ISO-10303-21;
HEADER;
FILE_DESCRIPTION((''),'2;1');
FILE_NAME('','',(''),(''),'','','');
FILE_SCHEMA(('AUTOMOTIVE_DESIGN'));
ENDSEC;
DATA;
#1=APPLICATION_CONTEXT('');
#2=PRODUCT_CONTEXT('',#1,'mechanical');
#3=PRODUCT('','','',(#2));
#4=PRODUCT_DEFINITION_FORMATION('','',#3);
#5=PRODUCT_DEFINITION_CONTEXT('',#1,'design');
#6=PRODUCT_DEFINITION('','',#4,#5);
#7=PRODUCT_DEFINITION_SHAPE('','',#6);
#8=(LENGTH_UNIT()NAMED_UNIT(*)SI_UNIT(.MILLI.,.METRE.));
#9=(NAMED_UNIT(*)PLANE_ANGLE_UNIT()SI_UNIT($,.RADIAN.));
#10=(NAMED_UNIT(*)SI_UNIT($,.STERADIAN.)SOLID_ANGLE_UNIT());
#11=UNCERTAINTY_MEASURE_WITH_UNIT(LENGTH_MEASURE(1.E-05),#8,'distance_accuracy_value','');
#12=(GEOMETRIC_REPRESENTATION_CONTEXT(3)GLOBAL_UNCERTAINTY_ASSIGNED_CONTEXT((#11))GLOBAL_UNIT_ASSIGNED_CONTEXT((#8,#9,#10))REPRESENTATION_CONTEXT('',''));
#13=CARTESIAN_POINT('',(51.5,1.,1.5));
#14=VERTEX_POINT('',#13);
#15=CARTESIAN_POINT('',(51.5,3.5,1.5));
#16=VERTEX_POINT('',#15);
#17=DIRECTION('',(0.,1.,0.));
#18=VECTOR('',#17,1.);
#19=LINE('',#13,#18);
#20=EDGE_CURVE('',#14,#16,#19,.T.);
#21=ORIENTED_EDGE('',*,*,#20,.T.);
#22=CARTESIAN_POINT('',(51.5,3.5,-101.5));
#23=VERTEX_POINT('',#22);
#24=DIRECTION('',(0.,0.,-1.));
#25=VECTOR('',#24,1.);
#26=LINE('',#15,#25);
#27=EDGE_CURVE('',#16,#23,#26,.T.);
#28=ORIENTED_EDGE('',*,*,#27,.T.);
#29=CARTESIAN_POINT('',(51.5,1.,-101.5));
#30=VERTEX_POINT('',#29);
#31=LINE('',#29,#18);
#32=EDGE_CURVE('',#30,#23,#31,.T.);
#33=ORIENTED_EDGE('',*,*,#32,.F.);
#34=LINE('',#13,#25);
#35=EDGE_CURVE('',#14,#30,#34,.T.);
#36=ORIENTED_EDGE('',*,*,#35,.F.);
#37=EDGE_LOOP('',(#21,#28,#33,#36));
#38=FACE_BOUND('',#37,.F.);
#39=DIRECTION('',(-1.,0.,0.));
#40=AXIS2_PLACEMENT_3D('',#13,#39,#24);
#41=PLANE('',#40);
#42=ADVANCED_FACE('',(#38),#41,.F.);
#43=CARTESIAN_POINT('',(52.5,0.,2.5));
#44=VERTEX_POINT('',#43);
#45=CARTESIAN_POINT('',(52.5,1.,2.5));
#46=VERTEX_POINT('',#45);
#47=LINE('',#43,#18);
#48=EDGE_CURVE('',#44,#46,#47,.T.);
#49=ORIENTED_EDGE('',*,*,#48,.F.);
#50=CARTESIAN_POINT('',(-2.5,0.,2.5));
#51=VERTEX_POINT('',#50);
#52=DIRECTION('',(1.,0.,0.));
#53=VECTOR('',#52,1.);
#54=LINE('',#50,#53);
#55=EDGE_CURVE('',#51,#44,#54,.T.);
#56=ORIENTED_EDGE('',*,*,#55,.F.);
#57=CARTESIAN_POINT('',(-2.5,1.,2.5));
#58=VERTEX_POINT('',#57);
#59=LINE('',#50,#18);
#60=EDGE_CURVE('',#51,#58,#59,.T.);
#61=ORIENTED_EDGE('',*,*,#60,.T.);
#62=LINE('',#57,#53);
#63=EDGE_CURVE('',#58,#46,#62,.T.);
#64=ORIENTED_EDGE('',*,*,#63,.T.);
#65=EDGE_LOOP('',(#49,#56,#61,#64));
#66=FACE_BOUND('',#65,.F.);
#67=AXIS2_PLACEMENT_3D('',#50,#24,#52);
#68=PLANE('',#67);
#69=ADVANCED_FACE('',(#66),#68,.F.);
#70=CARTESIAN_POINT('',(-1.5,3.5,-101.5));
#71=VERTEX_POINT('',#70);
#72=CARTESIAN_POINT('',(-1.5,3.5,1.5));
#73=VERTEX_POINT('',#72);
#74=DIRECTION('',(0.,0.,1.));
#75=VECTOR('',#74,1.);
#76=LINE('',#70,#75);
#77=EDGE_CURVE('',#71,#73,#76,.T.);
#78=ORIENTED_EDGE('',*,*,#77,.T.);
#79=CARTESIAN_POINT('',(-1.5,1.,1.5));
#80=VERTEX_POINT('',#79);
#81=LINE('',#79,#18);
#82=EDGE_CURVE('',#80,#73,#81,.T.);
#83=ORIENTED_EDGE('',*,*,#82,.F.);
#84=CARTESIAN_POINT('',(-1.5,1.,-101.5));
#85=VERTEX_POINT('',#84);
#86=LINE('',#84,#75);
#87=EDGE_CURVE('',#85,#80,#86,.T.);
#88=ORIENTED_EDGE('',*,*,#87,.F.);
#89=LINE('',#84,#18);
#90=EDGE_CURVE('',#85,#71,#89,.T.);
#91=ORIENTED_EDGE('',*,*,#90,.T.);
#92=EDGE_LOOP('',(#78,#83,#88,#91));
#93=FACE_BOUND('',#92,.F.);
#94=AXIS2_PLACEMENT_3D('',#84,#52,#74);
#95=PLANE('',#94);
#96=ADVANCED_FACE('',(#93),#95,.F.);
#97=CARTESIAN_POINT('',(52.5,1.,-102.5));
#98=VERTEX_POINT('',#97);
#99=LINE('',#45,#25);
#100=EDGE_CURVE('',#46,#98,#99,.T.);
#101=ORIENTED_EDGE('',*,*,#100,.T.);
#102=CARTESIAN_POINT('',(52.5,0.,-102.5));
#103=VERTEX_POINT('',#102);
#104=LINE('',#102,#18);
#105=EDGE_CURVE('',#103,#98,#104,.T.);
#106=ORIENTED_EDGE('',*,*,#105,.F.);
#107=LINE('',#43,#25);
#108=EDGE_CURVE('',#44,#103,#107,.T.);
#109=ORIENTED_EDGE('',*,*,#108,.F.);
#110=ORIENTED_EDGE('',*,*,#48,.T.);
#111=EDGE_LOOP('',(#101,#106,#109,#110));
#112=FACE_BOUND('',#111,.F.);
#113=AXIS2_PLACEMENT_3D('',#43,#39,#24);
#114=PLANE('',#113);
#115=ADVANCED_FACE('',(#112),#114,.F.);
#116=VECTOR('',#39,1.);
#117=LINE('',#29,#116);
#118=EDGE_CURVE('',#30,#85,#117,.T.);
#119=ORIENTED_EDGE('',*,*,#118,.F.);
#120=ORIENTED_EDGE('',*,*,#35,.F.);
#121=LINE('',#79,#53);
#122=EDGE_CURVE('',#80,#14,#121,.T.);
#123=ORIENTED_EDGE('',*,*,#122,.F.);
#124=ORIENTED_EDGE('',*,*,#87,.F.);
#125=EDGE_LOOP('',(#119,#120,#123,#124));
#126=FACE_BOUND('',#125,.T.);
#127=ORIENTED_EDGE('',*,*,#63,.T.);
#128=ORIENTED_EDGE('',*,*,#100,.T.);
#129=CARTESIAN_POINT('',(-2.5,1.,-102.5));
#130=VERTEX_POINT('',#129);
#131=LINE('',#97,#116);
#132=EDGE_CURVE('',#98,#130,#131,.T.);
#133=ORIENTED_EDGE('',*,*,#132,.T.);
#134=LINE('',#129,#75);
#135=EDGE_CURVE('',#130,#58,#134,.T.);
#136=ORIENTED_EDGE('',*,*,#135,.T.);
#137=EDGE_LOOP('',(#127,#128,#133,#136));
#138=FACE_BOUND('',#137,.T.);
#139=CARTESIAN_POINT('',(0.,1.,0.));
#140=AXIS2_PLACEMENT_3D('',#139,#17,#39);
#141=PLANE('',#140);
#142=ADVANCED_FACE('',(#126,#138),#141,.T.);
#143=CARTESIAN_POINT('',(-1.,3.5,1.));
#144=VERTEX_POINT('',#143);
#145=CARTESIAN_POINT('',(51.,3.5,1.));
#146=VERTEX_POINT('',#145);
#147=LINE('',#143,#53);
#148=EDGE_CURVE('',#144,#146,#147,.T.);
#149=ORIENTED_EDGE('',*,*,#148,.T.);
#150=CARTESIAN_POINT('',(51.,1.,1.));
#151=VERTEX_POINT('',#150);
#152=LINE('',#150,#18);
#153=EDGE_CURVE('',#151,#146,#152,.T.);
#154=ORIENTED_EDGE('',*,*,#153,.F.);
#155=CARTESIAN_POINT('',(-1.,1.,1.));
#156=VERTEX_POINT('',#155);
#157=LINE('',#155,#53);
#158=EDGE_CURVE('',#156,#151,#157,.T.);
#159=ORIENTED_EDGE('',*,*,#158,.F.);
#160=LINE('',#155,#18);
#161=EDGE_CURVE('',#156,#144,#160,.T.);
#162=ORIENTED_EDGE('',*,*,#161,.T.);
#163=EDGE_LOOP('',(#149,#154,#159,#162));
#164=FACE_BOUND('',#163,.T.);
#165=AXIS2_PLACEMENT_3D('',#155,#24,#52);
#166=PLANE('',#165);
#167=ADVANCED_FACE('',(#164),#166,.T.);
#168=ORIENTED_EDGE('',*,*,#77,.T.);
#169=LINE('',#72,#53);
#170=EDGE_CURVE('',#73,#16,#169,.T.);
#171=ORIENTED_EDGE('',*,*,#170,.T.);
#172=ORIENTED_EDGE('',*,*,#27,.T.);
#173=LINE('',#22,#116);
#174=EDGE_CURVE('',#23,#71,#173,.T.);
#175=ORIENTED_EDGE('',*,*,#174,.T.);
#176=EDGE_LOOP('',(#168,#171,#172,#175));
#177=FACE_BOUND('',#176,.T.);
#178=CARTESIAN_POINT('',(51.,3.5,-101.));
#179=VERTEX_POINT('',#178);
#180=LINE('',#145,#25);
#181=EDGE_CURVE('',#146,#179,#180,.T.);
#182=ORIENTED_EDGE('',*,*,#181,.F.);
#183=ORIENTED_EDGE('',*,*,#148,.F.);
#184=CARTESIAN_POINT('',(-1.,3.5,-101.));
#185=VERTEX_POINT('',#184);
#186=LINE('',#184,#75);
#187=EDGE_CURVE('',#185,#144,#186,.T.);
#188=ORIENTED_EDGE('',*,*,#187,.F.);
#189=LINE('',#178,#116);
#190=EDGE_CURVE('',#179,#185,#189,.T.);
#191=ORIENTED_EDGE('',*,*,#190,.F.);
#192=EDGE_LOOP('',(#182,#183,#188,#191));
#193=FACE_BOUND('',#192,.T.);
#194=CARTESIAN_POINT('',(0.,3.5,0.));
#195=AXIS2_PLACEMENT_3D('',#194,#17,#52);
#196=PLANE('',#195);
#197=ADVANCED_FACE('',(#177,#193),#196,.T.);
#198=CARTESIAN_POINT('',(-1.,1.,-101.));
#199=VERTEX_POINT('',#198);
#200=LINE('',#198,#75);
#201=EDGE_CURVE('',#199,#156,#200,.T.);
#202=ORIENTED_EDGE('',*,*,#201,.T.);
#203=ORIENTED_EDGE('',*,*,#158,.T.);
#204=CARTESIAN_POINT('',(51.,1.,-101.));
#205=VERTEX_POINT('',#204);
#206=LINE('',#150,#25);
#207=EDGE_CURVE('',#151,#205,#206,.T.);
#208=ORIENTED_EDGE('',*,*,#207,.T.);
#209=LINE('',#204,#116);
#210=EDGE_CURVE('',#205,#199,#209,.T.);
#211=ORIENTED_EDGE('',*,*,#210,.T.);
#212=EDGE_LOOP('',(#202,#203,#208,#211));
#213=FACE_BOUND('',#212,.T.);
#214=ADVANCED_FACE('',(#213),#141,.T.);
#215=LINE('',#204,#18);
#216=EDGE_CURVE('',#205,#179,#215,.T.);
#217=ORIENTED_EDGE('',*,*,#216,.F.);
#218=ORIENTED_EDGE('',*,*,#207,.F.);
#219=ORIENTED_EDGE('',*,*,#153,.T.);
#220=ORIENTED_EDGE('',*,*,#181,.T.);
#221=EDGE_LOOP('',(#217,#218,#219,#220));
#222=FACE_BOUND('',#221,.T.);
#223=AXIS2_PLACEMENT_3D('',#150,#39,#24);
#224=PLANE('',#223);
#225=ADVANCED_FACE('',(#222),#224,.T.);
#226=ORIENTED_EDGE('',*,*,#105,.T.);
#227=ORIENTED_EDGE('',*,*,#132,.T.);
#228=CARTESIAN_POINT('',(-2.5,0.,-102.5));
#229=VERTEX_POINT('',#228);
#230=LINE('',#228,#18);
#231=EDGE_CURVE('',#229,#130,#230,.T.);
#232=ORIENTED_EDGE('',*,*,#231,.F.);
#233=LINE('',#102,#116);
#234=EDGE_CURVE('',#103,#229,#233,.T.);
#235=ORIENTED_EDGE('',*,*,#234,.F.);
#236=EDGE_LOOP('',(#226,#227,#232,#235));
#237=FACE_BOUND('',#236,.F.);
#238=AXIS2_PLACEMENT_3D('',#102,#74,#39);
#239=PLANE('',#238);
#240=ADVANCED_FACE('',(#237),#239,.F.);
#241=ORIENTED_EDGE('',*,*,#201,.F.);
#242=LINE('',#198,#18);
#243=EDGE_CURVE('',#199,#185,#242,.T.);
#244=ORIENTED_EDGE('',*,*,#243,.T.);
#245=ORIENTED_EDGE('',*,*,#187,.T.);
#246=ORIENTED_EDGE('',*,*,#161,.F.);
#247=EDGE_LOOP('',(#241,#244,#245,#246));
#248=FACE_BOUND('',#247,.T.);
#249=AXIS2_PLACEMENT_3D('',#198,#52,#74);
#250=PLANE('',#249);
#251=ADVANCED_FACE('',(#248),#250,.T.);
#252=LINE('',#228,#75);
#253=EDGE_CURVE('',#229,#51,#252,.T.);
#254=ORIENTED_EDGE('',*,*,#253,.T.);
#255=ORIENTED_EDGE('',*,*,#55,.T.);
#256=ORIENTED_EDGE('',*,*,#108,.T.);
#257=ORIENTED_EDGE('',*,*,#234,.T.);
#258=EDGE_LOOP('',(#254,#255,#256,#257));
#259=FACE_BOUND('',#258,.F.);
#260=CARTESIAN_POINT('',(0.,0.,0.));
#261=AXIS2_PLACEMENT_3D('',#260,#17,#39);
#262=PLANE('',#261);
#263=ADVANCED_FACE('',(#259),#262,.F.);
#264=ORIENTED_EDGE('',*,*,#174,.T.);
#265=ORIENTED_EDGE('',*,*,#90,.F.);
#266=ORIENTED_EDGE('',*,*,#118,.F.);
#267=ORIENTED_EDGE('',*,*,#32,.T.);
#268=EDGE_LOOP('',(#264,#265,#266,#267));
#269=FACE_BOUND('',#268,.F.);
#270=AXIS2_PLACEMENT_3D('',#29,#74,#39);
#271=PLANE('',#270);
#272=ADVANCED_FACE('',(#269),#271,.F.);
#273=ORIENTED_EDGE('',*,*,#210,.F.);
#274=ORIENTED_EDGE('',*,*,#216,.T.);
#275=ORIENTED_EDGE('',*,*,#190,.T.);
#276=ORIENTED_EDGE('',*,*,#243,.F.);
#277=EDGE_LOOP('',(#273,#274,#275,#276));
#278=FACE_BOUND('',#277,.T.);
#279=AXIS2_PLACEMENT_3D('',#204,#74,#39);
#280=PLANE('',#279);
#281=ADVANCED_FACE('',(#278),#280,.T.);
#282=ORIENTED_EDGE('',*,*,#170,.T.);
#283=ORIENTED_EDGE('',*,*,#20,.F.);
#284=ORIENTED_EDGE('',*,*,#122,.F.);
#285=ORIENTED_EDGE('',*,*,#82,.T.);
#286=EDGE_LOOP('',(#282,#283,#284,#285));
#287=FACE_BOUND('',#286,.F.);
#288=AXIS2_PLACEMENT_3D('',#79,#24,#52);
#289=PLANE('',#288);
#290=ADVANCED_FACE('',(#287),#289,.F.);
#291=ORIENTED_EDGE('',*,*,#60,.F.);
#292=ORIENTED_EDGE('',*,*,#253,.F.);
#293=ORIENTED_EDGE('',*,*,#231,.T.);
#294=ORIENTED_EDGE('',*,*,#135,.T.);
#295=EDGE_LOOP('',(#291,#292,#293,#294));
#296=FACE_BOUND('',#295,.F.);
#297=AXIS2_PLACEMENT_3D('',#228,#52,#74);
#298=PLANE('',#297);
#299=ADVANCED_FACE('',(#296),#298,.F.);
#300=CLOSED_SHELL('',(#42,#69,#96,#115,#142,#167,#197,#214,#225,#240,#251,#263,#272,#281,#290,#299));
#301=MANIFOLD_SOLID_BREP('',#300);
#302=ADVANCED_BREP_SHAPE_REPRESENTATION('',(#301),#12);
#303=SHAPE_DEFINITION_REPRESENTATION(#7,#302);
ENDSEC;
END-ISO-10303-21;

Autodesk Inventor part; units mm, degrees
ref_plane "우측면도" through (0, 0, 0) normal (1, 0, 0) x (0, 1, 0)
ref_plane "평면도" through (0, 0, 0) normal (0, 1, 0) x (-1, 0, 0)
ref_plane "정면도" through (0, 0, 0) normal (0, 0, 1) x (1, 0, 0)
sketch "스케치1" plane through (0, 0, 0) normal (0, 1, 0) x (-1, 0, 0)
  line L0 (0, 0) -> (0, -100)
  line L1 (0, -100) -> (-50, -100)
  line L2 (-50, -100) -> (-50, 0)
  line L3 (-50, 0) -> (0, 0)
  line L4 (2.5, -102.5) -> (2.5, 2.5)
  line L5 (2.5, 2.5) -> (-52.5, 2.5)
  line L6 (-52.5, 2.5) -> (-52.5, -102.5)
  line L7 (-52.5, -102.5) -> (2.5, -102.5)
  line L8 (1, -101) -> (1, 1)
  line L9 (1, 1) -> (-51, 1)
  line L10 (-51, 1) -> (-51, -101)
  line L11 (-51, -101) -> (1, -101)
  line L12 (1.5, -101.5) -> (1.5, 1.5)
  line L13 (1.5, 1.5) -> (-51.5, 1.5)
  line L14 (-51.5, 1.5) -> (-51.5, -101.5)
  line L15 (-51.5, -101.5) -> (1.5, -101.5)
  dimension "d0" = 50
  dimension "d1" = 100
  dimension "d2" = 2.5
  dimension "d3" = 1.5
  dimension "d4" = 0.5
extrude "돌출1" add sketch "스케치1" along normal blind 1 contours L0 L1 L2 L3 | L7 L6 L5 L4 | L11 L10 L9 L8 | L15 L14 L13 L12
sketch "스케치2" plane through (0, 1, 0) normal (0, 1, 0) x (1, 0, 0)
  line L0 (51.5, -1.5) -> (51.5, 101.5) projected
  line L1 (51, -1) -> (51, 101) projected
  line L2 (51.5, 101.5) -> (-1.5, 101.5) projected
  line L3 (51, 101) -> (-1, 101) projected
  line L4 (-1.5, 101.5) -> (-1.5, -1.5) projected
  line L5 (-1, 101) -> (-1, -1) projected
  line L6 (-1, -1) -> (51, -1) projected
  line L7 (-1.5, -1.5) -> (51.5, -1.5) projected
  point P0 (0, 0)
extrude "돌출3" add sketch "스케치2" along normal blind 2.5
properties part number "호출벨 new 커버"
